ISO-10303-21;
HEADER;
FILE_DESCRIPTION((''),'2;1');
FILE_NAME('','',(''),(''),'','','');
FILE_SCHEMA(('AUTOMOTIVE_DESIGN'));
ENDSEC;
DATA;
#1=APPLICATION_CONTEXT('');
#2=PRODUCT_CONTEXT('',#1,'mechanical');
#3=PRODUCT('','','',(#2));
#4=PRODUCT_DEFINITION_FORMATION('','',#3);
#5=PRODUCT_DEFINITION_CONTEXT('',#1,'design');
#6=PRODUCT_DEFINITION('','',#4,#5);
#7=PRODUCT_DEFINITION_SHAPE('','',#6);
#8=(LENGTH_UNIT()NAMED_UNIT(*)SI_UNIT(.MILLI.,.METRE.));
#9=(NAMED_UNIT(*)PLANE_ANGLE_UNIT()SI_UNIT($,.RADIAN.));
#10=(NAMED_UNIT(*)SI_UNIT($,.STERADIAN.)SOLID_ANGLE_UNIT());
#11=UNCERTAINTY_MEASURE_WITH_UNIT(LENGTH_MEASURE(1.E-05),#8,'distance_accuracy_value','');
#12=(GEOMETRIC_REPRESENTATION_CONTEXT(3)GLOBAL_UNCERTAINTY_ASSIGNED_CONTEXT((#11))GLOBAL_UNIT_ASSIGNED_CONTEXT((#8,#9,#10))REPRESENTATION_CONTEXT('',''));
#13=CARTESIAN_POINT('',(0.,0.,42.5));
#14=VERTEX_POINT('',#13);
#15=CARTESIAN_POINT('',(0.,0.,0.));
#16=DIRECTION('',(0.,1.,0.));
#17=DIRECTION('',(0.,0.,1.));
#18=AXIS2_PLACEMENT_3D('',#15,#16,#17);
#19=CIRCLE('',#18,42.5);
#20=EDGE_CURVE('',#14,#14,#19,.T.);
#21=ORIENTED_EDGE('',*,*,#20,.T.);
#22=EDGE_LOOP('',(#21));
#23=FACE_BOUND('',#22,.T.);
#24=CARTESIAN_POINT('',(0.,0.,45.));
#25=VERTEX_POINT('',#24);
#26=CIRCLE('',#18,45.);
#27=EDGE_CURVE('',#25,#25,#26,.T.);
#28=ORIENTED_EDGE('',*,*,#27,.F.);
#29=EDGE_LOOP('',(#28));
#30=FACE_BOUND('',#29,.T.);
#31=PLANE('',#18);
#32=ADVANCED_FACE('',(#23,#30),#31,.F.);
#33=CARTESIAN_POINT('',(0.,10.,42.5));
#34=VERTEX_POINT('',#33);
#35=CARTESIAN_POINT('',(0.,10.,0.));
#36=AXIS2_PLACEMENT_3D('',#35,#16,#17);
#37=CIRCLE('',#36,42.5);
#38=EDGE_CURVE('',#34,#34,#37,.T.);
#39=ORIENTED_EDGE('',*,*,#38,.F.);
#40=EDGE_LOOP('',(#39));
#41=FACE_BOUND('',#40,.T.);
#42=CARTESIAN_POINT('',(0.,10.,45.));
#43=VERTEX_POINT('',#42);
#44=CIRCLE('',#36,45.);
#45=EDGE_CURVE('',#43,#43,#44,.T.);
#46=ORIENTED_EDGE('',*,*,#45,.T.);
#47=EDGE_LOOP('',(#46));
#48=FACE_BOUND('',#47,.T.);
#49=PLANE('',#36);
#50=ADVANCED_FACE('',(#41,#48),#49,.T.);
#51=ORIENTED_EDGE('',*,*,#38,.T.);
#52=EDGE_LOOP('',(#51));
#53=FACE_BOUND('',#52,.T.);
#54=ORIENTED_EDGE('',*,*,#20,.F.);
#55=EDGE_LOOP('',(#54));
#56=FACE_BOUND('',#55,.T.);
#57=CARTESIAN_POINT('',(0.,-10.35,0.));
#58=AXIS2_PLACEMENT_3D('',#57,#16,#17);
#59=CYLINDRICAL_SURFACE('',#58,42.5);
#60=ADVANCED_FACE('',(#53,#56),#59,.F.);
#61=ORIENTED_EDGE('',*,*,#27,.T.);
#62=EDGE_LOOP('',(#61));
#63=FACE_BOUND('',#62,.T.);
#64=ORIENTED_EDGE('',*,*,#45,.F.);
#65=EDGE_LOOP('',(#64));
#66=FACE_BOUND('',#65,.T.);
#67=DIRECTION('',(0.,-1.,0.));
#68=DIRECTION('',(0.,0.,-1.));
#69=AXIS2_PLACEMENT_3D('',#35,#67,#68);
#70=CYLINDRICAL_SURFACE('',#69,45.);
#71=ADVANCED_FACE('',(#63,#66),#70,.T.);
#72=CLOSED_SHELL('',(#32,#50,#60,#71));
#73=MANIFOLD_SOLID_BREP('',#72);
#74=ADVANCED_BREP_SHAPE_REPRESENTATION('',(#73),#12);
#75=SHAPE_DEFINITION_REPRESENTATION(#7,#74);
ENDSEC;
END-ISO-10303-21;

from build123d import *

# Parameters (mm, degrees)
SKETCH1_R           = 45
BOSS_EXTRUDE1_DEPTH = 10
SKETCH3_R           = 42.5
CUT_EXTRUDE1_DEPTH  = 20.35


with BuildPart() as part:
    # Sketch1 → Boss-Extrude1 (new body)
    with BuildSketch(Plane(origin=(0, 0, 0), x_dir=(1, 0, 0), z_dir=(0, 1, 0))):
        Circle(SKETCH1_R)
    extrude(amount=BOSS_EXTRUDE1_DEPTH)

    # Sketch3 → Cut-Extrude1 (cut)
    with BuildSketch(Plane(origin=(0, 10, 0), x_dir=(1, 0, 0), z_dir=(0, 1, 0))):
        Circle(SKETCH3_R)
    extrude(amount=-CUT_EXTRUDE1_DEPTH, mode=Mode.SUBTRACT)


solid = part.part
